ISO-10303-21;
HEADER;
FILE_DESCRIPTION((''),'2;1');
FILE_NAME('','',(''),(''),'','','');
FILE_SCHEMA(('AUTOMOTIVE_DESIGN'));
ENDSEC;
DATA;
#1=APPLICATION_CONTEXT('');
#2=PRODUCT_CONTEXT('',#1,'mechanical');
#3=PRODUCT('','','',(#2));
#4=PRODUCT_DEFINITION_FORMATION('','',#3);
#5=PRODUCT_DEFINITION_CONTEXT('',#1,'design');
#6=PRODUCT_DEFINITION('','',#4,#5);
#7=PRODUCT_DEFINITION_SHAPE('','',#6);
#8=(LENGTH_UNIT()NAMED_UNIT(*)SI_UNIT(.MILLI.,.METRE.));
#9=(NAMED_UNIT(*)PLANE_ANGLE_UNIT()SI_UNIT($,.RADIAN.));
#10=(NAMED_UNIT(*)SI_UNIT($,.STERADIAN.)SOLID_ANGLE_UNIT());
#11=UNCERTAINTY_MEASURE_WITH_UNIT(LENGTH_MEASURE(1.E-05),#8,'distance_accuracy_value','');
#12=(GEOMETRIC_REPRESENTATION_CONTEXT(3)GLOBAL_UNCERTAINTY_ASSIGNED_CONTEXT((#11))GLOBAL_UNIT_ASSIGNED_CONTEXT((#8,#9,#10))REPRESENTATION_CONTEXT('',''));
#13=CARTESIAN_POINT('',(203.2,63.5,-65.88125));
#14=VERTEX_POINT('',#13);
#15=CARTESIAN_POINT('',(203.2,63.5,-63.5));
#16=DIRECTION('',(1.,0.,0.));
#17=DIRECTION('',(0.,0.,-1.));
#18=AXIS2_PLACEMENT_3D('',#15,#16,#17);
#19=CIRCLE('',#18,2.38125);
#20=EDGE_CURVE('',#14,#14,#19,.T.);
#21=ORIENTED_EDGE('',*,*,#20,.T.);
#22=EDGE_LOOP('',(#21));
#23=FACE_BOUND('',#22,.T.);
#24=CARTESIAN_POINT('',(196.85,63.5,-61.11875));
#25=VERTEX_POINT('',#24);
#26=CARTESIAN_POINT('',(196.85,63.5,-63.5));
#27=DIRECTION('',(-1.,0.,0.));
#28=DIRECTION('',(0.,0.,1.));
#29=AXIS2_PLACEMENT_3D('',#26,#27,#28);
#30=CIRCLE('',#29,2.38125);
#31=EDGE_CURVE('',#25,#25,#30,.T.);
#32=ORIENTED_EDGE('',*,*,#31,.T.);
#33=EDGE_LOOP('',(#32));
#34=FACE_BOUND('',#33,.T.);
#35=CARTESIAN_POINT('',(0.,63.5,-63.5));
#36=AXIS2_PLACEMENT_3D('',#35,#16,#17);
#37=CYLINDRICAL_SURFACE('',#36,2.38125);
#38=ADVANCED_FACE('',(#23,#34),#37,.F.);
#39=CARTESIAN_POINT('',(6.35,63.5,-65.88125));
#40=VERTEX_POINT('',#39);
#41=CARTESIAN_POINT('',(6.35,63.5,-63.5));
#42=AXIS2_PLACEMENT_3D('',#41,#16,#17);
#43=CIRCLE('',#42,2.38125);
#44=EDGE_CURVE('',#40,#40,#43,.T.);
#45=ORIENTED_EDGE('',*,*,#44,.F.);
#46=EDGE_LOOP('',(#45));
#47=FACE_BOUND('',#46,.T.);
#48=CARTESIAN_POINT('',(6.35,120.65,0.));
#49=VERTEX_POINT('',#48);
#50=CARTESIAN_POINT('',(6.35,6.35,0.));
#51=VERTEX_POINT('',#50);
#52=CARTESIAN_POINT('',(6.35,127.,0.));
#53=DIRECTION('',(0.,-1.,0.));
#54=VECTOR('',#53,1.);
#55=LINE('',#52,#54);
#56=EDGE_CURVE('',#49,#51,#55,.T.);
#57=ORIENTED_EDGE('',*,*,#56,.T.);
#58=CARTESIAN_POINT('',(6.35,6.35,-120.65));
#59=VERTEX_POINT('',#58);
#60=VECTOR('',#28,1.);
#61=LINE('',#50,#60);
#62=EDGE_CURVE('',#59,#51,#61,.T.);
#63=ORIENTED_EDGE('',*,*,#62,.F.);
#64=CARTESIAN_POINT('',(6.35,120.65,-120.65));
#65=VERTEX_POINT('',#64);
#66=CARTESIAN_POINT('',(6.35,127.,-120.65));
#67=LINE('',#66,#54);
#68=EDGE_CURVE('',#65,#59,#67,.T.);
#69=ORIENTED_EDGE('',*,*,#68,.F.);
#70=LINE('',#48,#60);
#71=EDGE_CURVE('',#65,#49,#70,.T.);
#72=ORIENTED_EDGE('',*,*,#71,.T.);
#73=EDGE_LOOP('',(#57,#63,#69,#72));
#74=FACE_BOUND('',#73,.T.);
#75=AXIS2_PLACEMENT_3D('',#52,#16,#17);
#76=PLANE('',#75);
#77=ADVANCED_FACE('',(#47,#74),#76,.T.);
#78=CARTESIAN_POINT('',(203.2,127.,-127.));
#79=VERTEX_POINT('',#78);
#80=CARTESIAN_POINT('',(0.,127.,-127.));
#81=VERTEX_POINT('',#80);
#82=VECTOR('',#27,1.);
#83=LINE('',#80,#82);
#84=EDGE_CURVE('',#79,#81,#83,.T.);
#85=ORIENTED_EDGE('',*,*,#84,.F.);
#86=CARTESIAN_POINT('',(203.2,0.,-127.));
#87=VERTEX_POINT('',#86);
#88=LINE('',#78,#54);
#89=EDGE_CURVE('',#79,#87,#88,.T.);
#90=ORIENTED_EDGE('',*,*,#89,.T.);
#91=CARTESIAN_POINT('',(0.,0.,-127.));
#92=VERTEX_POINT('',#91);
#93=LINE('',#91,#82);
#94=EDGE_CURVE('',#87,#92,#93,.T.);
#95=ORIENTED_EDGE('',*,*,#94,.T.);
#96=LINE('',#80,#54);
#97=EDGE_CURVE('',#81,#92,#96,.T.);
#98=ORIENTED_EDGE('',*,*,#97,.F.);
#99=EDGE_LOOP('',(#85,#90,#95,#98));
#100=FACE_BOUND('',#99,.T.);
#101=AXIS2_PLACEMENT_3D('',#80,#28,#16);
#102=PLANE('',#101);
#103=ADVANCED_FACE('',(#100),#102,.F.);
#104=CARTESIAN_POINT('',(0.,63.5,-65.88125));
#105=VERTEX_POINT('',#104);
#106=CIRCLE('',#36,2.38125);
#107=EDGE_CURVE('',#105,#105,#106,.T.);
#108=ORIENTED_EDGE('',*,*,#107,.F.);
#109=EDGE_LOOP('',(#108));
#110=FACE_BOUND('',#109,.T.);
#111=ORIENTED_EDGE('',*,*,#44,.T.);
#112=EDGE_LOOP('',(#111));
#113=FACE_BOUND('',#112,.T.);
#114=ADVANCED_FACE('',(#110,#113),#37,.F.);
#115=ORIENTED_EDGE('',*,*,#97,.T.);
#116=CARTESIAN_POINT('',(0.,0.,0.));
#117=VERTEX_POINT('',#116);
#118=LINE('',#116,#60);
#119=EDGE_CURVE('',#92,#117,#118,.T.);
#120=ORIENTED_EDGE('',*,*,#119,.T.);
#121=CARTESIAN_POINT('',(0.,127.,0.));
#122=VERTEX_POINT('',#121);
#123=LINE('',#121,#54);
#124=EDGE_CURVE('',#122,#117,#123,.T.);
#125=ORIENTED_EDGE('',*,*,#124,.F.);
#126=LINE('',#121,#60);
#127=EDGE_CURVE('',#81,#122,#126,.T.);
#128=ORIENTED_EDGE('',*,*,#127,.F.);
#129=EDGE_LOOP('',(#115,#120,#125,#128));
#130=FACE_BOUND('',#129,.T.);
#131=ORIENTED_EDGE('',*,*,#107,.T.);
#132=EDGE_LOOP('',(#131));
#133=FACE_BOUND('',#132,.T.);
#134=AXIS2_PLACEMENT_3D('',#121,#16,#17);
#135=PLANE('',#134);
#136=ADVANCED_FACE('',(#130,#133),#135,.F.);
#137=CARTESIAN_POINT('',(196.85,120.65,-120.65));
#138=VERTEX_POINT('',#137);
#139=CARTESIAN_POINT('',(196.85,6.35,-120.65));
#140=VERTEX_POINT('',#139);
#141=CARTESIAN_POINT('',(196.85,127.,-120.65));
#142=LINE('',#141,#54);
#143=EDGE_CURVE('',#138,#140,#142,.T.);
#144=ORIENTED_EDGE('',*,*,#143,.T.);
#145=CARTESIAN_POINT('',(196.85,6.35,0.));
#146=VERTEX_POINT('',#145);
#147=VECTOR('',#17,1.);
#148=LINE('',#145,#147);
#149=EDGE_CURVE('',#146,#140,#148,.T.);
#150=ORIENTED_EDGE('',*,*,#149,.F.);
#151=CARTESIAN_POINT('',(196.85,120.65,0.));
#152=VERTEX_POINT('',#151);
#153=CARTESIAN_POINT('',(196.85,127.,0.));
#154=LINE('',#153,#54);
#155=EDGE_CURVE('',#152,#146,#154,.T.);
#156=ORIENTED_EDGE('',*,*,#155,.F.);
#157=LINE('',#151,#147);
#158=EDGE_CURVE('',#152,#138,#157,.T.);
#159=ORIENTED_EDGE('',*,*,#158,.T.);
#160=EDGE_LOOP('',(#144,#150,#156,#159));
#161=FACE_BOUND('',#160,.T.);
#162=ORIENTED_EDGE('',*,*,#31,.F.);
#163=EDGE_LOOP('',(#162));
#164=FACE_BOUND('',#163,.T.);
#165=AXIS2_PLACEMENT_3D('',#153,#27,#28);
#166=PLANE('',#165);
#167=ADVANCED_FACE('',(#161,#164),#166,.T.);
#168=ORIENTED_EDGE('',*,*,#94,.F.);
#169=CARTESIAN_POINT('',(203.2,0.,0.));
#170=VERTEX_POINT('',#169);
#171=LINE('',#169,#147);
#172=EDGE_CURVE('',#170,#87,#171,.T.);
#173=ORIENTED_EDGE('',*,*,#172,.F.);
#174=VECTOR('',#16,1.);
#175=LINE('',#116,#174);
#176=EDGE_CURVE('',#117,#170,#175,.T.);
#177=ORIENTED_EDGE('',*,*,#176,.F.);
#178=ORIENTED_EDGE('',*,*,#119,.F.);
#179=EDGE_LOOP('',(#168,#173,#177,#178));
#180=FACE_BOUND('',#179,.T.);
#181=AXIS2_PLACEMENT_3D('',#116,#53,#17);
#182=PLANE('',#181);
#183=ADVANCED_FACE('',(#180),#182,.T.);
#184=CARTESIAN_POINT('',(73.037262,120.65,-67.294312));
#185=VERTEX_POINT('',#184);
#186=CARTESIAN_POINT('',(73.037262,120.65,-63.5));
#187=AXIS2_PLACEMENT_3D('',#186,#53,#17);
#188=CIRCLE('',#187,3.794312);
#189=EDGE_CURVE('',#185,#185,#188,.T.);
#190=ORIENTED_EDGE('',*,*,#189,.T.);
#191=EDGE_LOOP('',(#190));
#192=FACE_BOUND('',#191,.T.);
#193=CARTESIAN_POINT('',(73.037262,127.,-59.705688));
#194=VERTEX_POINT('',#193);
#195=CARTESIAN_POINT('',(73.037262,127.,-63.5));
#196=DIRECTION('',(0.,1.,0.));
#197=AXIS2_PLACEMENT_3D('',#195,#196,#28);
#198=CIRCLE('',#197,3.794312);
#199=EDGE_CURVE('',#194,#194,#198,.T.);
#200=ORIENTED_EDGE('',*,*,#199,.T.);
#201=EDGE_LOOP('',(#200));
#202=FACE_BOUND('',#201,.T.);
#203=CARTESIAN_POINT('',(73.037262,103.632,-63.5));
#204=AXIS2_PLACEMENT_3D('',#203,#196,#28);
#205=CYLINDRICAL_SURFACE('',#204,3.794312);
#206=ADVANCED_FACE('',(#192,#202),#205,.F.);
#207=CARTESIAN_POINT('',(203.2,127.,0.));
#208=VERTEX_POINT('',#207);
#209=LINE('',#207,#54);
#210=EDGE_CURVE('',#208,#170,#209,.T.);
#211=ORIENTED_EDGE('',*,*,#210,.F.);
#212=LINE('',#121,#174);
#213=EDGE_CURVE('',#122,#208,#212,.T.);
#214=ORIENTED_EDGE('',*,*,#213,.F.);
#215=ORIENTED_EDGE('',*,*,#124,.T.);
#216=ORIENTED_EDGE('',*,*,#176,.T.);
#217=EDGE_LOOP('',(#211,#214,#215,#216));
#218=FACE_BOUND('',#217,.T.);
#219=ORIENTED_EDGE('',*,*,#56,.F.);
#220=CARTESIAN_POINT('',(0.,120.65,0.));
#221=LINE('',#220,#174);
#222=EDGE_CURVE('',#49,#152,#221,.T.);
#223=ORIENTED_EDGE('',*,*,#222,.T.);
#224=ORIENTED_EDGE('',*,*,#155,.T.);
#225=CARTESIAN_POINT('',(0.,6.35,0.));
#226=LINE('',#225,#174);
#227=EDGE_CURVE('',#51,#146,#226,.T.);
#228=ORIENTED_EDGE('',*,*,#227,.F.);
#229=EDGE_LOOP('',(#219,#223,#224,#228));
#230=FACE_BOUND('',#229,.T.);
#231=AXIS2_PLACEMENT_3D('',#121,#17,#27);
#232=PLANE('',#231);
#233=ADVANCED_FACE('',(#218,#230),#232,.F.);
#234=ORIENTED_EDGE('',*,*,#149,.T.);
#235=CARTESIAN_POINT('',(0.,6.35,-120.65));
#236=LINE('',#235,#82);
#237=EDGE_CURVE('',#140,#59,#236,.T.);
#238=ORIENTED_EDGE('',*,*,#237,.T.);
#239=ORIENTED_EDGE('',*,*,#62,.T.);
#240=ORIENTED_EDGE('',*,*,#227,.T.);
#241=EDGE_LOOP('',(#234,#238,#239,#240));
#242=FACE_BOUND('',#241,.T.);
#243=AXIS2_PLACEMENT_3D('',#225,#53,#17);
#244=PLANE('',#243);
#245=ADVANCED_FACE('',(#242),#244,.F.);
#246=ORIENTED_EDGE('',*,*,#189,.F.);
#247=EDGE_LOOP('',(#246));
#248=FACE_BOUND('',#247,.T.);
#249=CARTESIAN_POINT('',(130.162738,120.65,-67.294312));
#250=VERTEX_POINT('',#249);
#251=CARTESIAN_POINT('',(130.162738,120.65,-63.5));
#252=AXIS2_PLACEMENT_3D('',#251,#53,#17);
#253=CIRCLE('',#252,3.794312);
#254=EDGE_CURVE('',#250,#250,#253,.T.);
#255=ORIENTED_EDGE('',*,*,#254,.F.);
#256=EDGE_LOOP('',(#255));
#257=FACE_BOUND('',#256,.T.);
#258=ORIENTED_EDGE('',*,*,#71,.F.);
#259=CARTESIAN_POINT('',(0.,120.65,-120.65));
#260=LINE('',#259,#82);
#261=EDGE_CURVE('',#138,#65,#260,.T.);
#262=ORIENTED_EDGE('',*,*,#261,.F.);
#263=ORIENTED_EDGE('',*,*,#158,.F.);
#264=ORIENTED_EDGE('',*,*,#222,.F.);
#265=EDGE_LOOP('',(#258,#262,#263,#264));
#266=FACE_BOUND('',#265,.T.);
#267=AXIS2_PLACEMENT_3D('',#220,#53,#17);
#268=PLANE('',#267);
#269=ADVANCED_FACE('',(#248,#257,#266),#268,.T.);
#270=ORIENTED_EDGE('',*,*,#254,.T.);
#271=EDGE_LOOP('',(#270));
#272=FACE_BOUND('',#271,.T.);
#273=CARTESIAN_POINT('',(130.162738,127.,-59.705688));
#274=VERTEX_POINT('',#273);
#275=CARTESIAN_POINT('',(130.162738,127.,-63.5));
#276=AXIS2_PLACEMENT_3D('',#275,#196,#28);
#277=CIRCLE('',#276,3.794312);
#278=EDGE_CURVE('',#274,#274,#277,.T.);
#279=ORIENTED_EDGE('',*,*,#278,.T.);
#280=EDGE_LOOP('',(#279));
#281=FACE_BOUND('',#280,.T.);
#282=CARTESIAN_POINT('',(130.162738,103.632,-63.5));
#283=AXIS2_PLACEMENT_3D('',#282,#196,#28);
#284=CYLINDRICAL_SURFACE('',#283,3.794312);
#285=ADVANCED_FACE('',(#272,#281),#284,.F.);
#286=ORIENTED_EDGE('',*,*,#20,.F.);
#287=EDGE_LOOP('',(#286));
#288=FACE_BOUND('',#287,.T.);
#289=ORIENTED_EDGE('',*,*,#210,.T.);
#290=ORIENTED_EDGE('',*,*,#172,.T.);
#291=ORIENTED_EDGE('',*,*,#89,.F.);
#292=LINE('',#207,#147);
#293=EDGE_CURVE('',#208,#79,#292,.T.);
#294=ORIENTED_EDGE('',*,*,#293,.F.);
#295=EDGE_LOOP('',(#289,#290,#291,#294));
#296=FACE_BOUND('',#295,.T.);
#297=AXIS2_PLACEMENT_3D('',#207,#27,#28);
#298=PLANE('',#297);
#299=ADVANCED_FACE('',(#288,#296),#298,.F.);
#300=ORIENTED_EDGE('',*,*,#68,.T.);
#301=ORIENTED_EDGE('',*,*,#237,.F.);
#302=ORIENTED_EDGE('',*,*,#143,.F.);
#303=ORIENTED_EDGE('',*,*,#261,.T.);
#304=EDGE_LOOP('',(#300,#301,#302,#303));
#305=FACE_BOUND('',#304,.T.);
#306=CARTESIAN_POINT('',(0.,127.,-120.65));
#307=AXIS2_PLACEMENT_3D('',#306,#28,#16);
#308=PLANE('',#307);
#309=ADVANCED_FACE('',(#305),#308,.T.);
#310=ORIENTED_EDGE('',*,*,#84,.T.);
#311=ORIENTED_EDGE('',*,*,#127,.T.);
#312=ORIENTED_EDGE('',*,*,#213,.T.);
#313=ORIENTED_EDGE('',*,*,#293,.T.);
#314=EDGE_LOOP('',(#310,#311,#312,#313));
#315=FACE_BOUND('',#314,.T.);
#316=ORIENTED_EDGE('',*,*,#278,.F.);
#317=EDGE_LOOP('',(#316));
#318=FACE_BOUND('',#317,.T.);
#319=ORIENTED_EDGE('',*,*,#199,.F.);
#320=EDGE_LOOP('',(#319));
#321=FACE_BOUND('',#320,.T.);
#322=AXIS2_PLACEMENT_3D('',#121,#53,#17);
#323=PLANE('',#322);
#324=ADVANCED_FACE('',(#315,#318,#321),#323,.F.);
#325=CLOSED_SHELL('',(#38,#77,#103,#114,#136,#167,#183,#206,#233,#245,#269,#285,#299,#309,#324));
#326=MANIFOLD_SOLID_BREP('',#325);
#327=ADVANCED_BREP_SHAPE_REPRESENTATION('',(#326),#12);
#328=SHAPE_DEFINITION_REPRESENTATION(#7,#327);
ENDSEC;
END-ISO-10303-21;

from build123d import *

# Parameters (mm, degrees)
SKETCH1_W           = 203.2
SKETCH1_H           = 127
BOSS_EXTRUDE1_DEPTH = 127
SHELL1_T            = -6.35
SKETCH2_R           = 2.38125
CUT_EXTRUDE1_DEPTH  = 204.2
SKETCH4_R           = 3.794312019
CUT_EXTRUDE3_DEPTH  = 23.368


with BuildPart() as part:
    # Sketch1 → Boss-Extrude1 (new body)
    with BuildSketch(Plane(origin=(0, 0, 0), x_dir=(1, 0, 0), z_dir=(0, 1, 0))):
        with Locations((101.6, 63.5)):
            Rectangle(SKETCH1_W, SKETCH1_H)
    extrude(amount=BOSS_EXTRUDE1_DEPTH)

    # Shell1
    shell1_openings = [part.faces().sort_by_distance(p)[0] for p in [
        (101.6, 63.5, 0),
    ]]
    offset(amount=SHELL1_T, openings=shell1_openings, kind=Kind.INTERSECTION)

    # Sketch2 → Cut-Extrude1 (cut, through all)
    with BuildSketch(Plane(origin=(203.2, 0, 0), x_dir=(0, 0, -1), z_dir=(1, 0, 0))):
        with Locations((63.5, 63.5)):
            Circle(SKETCH2_R)
    extrude(amount=-CUT_EXTRUDE1_DEPTH, mode=Mode.SUBTRACT)

    # Sketch4 → Cut-Extrude3 (cut)
    with BuildSketch(Plane(origin=(0, 127, 0), x_dir=(1, 0, 0), z_dir=(0, 1, 0))):
        with Locations((73.037262301, 63.5)):
            Circle(SKETCH4_R)
        with Locations((130.162737699, 63.5)):
            Circle(SKETCH4_R)
    extrude(amount=-CUT_EXTRUDE3_DEPTH, mode=Mode.SUBTRACT)


solid = part.part
